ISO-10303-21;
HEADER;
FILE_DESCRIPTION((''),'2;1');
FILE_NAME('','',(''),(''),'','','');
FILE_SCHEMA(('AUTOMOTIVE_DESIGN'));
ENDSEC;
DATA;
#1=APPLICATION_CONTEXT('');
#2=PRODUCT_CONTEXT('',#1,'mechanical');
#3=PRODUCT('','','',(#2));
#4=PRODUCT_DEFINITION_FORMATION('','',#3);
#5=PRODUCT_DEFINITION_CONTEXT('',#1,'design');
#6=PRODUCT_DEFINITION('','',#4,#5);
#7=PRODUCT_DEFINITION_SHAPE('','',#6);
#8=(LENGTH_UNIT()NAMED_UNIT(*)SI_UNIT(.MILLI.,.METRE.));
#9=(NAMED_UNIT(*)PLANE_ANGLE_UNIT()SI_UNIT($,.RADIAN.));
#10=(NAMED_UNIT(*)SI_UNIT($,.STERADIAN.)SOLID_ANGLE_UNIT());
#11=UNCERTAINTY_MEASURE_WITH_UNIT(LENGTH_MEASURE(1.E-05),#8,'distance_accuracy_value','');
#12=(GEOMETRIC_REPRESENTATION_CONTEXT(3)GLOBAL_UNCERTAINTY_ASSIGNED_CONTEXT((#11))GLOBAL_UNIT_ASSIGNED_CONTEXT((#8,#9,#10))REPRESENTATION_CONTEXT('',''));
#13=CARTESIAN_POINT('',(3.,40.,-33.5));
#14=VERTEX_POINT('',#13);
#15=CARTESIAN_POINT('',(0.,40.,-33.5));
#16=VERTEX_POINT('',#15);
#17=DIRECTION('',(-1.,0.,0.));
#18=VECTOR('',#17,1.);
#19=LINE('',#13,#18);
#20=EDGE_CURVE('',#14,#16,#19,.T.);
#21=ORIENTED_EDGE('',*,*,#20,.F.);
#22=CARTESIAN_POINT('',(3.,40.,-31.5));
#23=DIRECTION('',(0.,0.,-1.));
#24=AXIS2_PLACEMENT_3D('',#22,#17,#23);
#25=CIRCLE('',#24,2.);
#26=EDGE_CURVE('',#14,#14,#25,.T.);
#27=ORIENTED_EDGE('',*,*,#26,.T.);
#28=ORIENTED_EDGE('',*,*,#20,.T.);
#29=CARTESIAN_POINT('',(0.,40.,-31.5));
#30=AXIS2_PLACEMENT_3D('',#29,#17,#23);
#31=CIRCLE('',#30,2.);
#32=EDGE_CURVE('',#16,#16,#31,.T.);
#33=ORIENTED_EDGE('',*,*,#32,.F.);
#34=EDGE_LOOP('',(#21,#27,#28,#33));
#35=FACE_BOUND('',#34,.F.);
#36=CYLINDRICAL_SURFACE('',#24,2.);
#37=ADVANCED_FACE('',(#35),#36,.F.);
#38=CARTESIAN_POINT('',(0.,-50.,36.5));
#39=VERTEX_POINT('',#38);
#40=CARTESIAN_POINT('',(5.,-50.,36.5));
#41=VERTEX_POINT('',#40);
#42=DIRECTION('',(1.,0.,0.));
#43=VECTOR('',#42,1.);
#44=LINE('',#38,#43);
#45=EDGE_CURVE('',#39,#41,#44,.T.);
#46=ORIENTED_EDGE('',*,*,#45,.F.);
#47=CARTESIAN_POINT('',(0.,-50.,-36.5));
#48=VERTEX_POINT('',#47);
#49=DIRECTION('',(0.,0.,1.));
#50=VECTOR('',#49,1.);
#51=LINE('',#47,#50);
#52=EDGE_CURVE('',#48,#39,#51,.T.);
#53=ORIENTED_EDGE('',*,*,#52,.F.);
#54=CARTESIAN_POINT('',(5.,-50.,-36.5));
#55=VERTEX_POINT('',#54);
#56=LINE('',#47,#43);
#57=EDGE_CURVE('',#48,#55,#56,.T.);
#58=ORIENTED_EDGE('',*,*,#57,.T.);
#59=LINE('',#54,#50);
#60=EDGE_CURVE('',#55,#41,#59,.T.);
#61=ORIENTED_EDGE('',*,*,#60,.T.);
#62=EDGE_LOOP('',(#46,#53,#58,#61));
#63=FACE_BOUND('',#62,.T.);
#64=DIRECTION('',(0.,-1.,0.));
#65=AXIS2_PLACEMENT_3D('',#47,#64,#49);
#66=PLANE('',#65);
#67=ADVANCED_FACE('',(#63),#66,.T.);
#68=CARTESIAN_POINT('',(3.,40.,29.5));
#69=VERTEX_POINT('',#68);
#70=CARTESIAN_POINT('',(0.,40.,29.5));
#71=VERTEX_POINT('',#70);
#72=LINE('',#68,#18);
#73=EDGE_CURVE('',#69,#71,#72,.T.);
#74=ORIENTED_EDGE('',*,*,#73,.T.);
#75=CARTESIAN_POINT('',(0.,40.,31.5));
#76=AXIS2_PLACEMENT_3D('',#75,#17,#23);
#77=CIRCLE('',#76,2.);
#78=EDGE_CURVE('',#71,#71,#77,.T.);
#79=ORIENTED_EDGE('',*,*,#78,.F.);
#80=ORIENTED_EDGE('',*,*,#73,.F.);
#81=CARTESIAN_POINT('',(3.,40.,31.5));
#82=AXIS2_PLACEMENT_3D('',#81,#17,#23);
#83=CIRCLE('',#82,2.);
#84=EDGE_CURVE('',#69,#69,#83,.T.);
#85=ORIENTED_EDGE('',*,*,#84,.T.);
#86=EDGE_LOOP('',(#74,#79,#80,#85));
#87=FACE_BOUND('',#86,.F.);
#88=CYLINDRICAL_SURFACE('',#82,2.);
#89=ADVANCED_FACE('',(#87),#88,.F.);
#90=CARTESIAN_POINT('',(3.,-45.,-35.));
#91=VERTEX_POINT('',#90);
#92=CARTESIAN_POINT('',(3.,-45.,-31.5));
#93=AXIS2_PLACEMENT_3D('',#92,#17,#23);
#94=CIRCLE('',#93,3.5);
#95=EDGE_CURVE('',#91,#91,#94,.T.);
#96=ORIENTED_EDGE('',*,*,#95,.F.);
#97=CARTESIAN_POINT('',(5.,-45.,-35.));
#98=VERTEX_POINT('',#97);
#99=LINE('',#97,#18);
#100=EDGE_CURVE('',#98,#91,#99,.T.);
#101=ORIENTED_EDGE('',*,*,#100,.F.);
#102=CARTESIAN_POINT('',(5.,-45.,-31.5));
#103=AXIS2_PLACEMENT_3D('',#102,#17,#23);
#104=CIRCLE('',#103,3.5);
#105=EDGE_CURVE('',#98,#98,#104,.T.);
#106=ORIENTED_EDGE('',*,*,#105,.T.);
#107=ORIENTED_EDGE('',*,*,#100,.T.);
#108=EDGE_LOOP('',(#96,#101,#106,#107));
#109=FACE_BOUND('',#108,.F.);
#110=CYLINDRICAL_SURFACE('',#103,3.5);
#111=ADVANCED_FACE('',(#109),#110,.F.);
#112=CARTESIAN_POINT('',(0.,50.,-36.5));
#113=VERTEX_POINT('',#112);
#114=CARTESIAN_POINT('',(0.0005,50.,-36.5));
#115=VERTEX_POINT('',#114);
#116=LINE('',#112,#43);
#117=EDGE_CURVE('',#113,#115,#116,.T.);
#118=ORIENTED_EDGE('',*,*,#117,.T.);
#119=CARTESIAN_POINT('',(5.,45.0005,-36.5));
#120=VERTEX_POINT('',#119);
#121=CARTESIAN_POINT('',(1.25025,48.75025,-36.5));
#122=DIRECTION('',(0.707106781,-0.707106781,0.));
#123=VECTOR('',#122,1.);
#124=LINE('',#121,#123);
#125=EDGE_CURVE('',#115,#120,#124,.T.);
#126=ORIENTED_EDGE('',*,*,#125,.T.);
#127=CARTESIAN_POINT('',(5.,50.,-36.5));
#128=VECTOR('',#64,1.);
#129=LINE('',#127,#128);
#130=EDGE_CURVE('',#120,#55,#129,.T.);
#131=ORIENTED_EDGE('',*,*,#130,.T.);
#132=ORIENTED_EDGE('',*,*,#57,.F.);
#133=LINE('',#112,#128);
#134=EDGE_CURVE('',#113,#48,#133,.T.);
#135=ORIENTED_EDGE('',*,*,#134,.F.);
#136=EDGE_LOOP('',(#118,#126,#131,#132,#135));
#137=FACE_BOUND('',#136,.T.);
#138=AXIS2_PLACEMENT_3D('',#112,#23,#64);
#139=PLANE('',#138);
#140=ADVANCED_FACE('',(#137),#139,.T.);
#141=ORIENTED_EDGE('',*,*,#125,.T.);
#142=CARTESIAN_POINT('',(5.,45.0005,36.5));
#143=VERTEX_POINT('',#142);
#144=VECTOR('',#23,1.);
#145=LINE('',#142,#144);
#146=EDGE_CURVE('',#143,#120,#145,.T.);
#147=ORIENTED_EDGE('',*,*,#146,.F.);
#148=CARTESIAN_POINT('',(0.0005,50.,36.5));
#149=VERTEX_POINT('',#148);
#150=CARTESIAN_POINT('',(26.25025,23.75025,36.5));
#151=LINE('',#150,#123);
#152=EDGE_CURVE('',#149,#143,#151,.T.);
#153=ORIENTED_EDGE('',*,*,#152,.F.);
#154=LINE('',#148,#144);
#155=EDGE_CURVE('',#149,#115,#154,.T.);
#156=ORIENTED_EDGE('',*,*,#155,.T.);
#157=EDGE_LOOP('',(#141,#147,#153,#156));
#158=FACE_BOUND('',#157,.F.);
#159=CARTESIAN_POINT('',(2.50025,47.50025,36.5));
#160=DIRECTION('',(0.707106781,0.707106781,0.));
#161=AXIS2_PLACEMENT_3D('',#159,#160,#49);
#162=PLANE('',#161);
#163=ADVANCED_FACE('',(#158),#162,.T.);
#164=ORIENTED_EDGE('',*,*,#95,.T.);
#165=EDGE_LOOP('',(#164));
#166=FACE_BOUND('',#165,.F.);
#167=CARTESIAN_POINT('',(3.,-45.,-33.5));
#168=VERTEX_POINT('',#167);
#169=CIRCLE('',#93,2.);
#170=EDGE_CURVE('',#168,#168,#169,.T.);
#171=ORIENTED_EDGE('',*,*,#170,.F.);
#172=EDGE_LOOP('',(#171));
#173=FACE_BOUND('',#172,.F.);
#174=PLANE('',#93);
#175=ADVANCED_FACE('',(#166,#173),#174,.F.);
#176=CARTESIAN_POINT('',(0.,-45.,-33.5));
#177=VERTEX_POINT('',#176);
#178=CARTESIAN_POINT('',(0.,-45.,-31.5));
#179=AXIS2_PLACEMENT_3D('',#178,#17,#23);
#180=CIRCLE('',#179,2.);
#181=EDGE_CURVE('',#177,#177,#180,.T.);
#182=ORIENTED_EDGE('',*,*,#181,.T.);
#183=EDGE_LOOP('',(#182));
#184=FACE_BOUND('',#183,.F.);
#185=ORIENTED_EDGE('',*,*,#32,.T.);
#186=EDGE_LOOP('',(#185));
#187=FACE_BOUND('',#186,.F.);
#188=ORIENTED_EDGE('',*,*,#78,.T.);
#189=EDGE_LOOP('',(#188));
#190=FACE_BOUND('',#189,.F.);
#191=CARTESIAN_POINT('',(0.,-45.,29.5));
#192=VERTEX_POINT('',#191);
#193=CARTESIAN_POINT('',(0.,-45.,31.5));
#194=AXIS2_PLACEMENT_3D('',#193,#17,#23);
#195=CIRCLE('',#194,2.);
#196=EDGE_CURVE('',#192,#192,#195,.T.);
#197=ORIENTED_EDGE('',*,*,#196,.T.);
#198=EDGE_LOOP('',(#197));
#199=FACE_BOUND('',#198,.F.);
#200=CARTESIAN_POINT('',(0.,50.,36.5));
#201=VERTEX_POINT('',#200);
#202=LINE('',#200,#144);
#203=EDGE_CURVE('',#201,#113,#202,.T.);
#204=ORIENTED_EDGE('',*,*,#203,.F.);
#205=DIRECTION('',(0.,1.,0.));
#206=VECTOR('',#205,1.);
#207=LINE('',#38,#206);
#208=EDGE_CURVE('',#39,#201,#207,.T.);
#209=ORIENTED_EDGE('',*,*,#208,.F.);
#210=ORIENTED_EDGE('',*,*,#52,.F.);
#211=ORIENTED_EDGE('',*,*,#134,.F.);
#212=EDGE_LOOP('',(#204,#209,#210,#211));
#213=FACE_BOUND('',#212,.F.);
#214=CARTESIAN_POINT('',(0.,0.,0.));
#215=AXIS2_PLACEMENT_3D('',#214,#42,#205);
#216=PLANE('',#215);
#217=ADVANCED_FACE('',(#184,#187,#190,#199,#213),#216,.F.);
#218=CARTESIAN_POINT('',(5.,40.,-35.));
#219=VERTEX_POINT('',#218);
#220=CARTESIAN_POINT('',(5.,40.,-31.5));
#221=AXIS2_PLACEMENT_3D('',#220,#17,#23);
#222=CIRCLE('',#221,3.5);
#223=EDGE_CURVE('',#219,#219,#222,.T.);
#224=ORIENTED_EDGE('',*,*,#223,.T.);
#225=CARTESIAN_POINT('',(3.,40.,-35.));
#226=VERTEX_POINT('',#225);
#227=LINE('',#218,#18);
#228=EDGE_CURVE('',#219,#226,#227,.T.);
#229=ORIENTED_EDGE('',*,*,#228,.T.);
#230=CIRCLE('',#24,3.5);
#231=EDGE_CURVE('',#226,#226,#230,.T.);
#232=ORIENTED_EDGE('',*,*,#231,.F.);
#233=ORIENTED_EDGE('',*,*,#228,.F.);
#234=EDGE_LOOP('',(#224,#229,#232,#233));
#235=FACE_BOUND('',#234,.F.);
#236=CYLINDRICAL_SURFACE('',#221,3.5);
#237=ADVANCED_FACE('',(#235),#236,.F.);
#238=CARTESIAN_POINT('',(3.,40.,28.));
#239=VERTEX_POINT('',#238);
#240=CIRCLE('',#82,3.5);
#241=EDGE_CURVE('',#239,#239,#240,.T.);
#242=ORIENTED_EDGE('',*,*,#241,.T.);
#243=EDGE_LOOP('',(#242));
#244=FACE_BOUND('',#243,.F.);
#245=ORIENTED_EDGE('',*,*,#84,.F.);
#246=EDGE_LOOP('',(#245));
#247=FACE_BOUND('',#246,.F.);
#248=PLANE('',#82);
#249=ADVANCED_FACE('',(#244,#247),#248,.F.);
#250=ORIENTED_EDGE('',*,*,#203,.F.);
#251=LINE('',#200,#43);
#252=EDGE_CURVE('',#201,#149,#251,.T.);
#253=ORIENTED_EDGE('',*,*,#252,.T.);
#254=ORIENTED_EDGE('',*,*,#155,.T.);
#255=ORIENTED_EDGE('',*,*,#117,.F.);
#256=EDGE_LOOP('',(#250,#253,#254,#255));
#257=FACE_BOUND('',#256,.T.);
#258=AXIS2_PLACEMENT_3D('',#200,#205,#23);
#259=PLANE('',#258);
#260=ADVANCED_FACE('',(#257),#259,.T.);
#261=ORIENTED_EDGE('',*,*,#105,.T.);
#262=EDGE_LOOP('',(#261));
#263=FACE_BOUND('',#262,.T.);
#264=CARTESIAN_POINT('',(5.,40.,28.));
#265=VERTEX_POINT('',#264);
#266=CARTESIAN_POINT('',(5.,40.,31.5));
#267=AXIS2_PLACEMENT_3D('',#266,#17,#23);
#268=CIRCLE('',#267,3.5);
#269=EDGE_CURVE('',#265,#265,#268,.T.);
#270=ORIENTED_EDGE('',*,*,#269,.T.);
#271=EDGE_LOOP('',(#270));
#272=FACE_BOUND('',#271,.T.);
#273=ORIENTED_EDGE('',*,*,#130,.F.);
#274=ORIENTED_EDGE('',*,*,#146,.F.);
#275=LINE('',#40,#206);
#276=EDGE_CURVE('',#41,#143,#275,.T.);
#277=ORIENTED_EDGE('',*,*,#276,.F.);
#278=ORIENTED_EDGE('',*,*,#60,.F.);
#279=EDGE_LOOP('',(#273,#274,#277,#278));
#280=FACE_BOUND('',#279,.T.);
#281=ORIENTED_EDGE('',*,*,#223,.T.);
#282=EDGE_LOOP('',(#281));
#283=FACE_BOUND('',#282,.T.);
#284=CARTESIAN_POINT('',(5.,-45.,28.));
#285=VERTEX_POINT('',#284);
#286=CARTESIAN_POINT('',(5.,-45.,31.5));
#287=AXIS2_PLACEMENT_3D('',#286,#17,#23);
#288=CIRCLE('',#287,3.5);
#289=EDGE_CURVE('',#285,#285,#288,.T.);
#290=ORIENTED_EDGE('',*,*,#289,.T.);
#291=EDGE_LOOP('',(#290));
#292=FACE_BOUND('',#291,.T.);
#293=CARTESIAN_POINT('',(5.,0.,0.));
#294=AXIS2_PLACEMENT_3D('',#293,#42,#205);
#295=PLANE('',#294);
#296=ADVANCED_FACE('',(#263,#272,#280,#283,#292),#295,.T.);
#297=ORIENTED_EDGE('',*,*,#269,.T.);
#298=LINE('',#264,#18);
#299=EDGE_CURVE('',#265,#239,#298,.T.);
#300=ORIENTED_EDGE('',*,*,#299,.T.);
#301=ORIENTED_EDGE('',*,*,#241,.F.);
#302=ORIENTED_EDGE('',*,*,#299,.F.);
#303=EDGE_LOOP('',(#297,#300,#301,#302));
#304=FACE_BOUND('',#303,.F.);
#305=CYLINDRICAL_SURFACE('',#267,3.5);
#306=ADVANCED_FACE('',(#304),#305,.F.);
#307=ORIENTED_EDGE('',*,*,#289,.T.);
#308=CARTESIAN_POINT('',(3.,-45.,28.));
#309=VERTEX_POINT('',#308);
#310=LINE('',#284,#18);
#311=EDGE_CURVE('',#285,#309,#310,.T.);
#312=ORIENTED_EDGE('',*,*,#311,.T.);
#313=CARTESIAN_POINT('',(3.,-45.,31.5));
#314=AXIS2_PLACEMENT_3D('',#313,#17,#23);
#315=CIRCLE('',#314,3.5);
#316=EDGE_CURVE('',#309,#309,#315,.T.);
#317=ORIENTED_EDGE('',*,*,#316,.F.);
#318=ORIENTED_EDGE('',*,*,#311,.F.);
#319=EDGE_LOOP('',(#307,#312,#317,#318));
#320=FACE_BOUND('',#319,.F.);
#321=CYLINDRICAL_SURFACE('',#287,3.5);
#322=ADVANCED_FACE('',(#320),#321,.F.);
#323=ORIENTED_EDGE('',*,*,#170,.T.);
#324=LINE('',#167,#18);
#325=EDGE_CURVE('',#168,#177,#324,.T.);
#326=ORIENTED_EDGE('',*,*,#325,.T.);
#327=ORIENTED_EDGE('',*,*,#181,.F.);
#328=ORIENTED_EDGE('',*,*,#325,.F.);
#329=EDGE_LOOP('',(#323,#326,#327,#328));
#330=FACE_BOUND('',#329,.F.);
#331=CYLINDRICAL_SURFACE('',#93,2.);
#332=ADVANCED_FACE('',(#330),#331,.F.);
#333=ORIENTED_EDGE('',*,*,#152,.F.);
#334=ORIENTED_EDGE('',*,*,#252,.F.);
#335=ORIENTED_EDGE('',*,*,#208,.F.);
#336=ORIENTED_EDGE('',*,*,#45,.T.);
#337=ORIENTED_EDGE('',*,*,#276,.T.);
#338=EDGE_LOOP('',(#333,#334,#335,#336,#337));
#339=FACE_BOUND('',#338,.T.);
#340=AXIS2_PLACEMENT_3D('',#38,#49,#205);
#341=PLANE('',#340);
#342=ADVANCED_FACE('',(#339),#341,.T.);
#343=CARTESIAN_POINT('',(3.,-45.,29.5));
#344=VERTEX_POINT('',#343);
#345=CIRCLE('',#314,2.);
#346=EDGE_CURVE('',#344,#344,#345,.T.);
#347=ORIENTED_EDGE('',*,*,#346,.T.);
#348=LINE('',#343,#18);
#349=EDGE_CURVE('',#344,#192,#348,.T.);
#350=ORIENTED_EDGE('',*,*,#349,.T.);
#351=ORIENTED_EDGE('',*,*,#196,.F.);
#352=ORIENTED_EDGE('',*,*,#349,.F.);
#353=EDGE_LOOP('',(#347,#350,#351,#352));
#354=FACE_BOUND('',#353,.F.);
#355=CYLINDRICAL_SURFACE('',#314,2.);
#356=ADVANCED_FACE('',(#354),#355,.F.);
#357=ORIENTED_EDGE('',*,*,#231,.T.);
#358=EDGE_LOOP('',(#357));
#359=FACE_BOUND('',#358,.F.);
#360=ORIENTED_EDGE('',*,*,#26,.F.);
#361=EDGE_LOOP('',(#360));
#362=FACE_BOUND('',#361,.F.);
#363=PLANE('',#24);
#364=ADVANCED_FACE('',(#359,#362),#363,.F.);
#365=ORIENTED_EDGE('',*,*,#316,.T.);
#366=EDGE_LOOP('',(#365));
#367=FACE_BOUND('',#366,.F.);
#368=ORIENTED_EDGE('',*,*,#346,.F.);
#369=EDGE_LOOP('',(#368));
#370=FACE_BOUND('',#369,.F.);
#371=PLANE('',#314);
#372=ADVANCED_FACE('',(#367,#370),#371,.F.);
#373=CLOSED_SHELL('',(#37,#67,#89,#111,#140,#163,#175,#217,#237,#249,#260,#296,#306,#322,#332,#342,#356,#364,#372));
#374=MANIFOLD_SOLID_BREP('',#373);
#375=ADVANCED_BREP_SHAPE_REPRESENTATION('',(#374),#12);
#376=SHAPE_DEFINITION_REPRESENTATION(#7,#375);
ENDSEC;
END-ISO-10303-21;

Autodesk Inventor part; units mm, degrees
ref_plane "YZ Plane" through (0, 0, 0) normal (1, 0, 0) x (0, 1, 0)
ref_plane "XZ Plane" through (0, 0, 0) normal (0, 1, 0) x (-1, 0, 0)
ref_plane "XY Plane" through (0, 0, 0) normal (0, 0, 1) x (1, 0, 0)
sketch "Skizze1" plane through (0, 0, 0) normal (1, 0, 0) x (0, 1, 0)
  line L0 (-50, 36.5) -> (50, 36.5)
  line L1 (50, 36.5) -> (50, -36.5)
  line L2 (50, -36.5) -> (-50, -36.5)
  line L3 (-50, -36.5) -> (-50, 36.5)
  line L4 (-50, 36.5) -> (50, -36.5) construction
  line L5 (50, 36.5) -> (-50, -36.5) construction
  point P0 (0, 0)
  dimension "d0" = 73
  dimension "d1" = 100
extrude "Extrusion1" add sketch "Skizze1" along normal blind 5
chamfer "Fase1" distance 5 angle 45 1 edges at (5, 50, 0)
sketch "Skizze2" plane through (5, 0, 0) normal (1, 0, 0) x (0, 0, -1)
  line L0 (-36.5, 45) -> (-36.5, -50) projected
  line L1 (-36.5, 45) -> (36.5, 45) projected
  line L2 (-36.5, -50) -> (36.5, -50) projected
  line L3 (0, -70) -> (0, 70) construction
  point P0 (0, 0)
  point P1 (-31.5, -45)
  point P2 (-31.5, 40)
  point P3 (31.5, -45)
  point P4 (31.5, 40)
  dimension "d7" = 5
  dimension "d8" = 5
  dimension "d9" = 5
  dimension "d10" = 5
hole "Bohrung1" at (5, -45, 31.5) at (5, 40, 31.5) at (5, 40, -31.5) at (5, -45, -31.5) direction (-1, 0, 0) diameter 4 end through all counterbore diameter 7 counterbore depth 2
properties part number "Deckel_2_Frame" material "PC/ABS-Kunststoff"
